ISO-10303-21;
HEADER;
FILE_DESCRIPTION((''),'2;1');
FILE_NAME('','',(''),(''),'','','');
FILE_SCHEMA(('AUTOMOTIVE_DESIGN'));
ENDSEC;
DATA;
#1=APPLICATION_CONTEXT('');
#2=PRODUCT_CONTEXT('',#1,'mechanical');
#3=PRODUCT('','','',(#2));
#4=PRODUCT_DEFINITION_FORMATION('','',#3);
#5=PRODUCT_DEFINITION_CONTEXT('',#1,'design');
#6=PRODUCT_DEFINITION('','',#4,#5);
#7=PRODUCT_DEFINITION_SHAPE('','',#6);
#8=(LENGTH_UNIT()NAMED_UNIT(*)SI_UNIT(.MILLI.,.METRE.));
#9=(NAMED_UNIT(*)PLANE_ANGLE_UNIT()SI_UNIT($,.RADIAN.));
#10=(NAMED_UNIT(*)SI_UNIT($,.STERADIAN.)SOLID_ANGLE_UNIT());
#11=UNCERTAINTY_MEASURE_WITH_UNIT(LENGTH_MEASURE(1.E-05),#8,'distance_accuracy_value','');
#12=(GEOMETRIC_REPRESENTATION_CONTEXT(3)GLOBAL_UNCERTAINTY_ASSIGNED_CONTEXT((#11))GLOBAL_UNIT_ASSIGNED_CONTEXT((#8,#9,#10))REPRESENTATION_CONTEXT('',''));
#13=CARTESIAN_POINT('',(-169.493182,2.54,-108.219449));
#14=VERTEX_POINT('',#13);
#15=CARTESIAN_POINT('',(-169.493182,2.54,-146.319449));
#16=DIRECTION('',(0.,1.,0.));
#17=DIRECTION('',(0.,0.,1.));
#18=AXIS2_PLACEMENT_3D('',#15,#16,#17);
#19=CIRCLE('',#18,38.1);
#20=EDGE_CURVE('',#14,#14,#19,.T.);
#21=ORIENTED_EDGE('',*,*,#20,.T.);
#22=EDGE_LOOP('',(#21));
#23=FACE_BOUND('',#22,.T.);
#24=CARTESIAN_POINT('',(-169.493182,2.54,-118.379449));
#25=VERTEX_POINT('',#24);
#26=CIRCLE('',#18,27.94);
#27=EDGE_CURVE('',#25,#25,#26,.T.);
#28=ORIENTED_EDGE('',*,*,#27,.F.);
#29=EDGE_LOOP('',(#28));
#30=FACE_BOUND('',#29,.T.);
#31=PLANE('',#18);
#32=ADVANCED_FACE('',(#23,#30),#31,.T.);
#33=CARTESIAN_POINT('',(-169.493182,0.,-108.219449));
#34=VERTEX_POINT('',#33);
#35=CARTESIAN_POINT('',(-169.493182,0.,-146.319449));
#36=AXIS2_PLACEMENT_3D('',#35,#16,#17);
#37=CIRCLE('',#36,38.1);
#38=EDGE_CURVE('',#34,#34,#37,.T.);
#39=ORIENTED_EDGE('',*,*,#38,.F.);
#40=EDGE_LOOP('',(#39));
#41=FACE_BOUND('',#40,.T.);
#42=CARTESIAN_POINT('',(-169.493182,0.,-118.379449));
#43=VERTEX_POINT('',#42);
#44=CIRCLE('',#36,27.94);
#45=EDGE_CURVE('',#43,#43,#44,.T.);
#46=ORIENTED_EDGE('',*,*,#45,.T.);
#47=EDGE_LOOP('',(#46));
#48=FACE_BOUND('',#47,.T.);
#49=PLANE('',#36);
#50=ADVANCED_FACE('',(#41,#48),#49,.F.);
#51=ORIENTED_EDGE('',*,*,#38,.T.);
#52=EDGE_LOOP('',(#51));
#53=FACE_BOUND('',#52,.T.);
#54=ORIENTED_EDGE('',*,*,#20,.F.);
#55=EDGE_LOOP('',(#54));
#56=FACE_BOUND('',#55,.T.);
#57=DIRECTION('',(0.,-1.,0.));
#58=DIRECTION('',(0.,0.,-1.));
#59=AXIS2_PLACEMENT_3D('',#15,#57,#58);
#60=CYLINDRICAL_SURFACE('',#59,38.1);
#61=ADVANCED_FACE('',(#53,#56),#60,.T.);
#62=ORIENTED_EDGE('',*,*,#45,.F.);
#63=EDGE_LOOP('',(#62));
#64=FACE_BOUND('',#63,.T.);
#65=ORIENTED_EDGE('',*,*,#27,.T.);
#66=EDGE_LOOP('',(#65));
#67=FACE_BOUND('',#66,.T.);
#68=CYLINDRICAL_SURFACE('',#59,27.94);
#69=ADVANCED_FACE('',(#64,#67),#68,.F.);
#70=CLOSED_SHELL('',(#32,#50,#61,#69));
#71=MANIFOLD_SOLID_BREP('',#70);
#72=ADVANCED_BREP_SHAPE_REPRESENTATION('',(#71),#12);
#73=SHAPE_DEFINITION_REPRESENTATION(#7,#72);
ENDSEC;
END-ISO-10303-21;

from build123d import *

# Parameters (mm, degrees)
SKETCH3_R           = 38.1
SKETCH3_R_2         = 27.94
BOSS_EXTRUDE4_DEPTH = 2.54


with BuildPart() as part:
    # Sketch3 → Boss-Extrude4 (new body)
    with BuildSketch(Plane(origin=(0, 0, 0), x_dir=(1, 0, 0), z_dir=(0, 1, 0))):
        with Locations(Location((-169.493181638, 146.319449112, 0), (0, 0, 270))):  # turned: the seam where the file's is
            Circle(SKETCH3_R)
        with Locations(Location((-169.493181638, 146.319449112, 0), (0, 0, 270))):  # turned: the seam where the file's is
            Circle(SKETCH3_R_2, mode=Mode.SUBTRACT)
    extrude(amount=BOSS_EXTRUDE4_DEPTH)


solid = part.part
